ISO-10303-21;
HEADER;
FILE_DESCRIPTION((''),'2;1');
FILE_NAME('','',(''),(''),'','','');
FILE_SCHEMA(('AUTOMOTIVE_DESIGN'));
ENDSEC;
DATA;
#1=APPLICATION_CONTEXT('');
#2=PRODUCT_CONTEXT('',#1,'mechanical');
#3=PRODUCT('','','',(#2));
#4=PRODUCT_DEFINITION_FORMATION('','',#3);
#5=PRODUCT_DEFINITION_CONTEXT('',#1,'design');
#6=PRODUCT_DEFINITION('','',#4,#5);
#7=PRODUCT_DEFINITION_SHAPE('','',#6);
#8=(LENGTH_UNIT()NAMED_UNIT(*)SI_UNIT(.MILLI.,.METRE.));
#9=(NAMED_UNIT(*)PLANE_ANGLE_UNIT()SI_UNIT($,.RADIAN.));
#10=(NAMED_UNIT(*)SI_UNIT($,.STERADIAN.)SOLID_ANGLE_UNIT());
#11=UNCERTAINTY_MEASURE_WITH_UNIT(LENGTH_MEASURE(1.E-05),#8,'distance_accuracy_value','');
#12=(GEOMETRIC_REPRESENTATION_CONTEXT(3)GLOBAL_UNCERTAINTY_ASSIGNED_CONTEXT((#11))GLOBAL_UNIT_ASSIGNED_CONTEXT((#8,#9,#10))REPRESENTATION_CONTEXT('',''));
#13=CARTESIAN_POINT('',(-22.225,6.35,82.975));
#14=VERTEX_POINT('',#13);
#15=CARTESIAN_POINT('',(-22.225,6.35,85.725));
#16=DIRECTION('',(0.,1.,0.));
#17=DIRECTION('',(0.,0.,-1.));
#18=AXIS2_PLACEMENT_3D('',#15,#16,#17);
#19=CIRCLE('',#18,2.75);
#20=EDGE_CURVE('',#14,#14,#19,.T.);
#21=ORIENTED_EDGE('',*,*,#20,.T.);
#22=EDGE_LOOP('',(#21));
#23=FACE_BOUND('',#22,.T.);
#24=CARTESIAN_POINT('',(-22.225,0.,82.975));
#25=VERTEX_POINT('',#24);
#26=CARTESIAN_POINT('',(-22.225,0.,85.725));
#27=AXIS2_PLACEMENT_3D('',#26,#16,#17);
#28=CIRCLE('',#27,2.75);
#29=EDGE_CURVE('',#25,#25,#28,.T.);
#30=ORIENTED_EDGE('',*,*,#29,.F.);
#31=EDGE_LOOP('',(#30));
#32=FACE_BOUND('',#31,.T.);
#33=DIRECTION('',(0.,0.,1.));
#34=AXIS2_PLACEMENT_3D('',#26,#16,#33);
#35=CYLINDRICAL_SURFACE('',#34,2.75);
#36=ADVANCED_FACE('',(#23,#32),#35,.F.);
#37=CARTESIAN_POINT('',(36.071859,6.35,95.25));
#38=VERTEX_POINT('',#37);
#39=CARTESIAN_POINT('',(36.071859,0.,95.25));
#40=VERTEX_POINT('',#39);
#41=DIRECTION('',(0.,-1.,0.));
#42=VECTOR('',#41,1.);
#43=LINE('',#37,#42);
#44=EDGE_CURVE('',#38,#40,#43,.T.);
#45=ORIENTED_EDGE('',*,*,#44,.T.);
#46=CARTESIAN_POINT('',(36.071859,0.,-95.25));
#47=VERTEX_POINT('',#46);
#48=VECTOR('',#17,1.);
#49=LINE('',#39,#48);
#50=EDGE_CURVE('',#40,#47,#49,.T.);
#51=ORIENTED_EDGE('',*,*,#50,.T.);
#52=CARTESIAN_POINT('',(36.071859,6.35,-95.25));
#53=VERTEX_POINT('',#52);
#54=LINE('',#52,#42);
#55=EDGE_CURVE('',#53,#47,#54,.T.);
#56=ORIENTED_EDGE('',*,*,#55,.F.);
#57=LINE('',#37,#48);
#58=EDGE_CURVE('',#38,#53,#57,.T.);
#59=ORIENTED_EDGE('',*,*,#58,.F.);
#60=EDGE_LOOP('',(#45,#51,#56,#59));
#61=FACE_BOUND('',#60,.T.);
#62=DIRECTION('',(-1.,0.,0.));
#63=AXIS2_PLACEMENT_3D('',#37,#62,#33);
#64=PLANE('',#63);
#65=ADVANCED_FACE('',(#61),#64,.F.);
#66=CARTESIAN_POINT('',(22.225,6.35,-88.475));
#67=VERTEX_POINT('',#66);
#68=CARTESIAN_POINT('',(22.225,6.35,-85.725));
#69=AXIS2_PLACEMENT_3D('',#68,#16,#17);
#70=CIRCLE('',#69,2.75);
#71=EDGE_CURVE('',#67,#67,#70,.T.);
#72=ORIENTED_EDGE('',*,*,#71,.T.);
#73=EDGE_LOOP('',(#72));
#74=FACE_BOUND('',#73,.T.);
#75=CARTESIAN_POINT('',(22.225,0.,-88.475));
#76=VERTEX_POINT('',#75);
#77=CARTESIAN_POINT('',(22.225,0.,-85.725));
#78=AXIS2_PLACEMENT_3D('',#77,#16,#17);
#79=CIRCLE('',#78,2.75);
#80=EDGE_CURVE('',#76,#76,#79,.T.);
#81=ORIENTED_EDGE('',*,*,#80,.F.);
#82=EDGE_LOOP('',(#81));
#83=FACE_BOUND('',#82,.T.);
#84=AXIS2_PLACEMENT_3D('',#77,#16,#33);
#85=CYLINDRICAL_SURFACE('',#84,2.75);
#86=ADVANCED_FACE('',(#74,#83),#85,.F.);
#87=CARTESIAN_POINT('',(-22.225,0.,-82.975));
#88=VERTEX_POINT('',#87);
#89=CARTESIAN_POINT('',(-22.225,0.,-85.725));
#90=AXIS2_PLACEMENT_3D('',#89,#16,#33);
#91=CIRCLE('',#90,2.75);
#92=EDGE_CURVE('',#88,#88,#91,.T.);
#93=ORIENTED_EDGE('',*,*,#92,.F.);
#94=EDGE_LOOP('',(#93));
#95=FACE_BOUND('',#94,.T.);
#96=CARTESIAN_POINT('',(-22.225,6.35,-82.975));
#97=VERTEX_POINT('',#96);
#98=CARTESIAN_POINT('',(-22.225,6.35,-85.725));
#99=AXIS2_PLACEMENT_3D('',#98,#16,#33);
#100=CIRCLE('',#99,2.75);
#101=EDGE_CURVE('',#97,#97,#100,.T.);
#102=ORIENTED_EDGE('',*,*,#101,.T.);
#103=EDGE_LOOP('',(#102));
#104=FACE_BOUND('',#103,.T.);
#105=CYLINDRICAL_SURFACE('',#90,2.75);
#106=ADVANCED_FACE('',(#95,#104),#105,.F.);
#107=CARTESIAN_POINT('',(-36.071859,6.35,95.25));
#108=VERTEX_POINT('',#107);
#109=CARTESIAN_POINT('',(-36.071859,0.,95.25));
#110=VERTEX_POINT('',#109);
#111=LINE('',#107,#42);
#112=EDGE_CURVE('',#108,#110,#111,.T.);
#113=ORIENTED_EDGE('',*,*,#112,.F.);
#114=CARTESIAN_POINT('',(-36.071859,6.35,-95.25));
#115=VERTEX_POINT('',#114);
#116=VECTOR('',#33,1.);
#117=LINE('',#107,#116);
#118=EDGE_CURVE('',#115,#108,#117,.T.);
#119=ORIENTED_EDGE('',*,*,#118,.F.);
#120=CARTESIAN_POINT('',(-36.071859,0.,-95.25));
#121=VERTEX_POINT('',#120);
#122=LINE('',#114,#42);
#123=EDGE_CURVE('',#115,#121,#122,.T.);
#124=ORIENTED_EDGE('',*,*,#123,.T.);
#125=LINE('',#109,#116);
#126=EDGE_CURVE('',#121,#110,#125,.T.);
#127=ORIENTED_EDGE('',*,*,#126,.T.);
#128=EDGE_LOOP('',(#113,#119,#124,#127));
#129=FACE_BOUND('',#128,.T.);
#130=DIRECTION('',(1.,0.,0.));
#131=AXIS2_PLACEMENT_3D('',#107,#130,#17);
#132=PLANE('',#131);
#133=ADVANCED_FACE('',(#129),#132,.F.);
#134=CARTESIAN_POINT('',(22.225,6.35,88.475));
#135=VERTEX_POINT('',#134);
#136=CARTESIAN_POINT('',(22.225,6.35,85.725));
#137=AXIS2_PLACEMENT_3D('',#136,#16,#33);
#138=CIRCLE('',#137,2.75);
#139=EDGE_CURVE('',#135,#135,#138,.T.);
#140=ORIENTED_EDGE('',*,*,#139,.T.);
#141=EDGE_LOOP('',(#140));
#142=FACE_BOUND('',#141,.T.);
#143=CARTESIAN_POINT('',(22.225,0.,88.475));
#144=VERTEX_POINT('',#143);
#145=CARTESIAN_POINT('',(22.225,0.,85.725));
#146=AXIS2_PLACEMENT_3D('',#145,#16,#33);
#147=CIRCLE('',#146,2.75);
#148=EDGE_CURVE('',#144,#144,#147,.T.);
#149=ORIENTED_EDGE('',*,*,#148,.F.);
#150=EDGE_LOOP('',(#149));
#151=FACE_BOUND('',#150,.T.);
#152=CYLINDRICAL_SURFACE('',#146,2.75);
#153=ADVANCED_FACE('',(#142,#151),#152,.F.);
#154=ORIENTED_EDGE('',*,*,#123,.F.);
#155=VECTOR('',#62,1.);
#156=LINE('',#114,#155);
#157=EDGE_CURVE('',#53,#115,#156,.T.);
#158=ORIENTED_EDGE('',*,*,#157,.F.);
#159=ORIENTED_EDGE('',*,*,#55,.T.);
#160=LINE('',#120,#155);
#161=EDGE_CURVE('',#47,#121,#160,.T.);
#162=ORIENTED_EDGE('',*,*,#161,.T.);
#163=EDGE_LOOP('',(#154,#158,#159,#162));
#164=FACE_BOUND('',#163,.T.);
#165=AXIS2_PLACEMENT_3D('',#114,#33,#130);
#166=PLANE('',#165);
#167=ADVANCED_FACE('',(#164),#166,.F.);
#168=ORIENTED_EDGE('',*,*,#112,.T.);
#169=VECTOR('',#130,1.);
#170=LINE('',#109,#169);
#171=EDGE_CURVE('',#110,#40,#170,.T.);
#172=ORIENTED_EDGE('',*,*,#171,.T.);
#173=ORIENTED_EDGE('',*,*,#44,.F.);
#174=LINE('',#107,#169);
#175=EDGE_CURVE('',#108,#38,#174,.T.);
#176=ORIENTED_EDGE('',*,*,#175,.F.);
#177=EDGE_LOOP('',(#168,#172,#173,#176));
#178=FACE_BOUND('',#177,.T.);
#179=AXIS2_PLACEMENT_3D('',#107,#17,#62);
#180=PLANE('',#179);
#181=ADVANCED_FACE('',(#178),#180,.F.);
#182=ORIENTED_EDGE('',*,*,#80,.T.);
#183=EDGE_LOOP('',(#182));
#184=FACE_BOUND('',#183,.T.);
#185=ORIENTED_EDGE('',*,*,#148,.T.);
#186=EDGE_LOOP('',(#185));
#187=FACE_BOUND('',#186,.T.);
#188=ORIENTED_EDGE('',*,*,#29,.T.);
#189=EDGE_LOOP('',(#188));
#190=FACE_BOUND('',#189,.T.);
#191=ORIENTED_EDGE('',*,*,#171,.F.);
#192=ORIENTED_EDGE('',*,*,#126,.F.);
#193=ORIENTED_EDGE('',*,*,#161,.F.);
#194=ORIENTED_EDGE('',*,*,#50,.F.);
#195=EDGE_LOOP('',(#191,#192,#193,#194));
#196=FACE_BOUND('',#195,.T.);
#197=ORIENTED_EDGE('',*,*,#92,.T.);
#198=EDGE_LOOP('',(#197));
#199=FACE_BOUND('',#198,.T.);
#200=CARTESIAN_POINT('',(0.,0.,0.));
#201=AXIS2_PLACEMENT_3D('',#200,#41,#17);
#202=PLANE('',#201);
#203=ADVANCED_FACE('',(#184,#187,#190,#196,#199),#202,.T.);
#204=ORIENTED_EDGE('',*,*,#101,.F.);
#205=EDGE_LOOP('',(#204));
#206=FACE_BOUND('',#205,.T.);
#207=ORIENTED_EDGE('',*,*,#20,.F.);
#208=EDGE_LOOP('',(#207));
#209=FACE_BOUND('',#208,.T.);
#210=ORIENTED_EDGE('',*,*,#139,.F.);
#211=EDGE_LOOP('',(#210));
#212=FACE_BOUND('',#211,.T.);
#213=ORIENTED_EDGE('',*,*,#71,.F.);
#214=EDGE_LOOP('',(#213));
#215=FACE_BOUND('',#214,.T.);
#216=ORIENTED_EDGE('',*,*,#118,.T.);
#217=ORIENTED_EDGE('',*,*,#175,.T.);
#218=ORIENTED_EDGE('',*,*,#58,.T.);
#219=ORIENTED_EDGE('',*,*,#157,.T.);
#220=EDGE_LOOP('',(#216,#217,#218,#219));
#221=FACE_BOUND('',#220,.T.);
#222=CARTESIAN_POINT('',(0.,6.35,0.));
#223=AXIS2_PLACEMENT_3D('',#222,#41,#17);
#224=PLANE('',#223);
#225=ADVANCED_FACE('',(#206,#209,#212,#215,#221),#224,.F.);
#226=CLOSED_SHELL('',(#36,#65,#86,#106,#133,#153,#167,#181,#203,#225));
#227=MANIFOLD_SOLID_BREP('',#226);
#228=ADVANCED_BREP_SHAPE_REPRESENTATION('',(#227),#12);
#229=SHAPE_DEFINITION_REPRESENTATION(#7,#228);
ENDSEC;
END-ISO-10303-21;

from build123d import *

# Parameters (mm, degrees)
SKETCH2_W           = 72.143718552
SKETCH2_H           = 190.5
BOSS_EXTRUDE1_DEPTH = 6.35
SKETCH3_R           = 2.75
CUT_EXTRUDE1_DEPTH  = 6.35


with BuildPart() as part:
    # Sketch2 → Boss-Extrude1 (new body)
    with BuildSketch(Plane(origin=(0, 0, 0), x_dir=(1, 0, 0), z_dir=(0, 1, 0))):
        Rectangle(SKETCH2_W, SKETCH2_H)
    extrude(amount=BOSS_EXTRUDE1_DEPTH)

    # Sketch3 → Cut-Extrude1 (cut)
    with BuildSketch(Plane(origin=(0, 6.35, 0), x_dir=(1, 0, 0), z_dir=(0, 1, 0))):
        with Locations(Location((-22.225, 85.725, 0), (0, 0, 270))):
            Circle(SKETCH3_R)
        with Locations(Location((22.225, 85.725, 0), (0, 0, 90))):
            Circle(SKETCH3_R)
        with Locations(Location((22.225, -85.725, 0), (0, 0, 270))):
            Circle(SKETCH3_R)
        with Locations(Location((-22.225, -85.725, 0), (0, 0, 90))):
            Circle(SKETCH3_R)
    extrude(amount=-CUT_EXTRUDE1_DEPTH, mode=Mode.SUBTRACT)


solid = part.part
